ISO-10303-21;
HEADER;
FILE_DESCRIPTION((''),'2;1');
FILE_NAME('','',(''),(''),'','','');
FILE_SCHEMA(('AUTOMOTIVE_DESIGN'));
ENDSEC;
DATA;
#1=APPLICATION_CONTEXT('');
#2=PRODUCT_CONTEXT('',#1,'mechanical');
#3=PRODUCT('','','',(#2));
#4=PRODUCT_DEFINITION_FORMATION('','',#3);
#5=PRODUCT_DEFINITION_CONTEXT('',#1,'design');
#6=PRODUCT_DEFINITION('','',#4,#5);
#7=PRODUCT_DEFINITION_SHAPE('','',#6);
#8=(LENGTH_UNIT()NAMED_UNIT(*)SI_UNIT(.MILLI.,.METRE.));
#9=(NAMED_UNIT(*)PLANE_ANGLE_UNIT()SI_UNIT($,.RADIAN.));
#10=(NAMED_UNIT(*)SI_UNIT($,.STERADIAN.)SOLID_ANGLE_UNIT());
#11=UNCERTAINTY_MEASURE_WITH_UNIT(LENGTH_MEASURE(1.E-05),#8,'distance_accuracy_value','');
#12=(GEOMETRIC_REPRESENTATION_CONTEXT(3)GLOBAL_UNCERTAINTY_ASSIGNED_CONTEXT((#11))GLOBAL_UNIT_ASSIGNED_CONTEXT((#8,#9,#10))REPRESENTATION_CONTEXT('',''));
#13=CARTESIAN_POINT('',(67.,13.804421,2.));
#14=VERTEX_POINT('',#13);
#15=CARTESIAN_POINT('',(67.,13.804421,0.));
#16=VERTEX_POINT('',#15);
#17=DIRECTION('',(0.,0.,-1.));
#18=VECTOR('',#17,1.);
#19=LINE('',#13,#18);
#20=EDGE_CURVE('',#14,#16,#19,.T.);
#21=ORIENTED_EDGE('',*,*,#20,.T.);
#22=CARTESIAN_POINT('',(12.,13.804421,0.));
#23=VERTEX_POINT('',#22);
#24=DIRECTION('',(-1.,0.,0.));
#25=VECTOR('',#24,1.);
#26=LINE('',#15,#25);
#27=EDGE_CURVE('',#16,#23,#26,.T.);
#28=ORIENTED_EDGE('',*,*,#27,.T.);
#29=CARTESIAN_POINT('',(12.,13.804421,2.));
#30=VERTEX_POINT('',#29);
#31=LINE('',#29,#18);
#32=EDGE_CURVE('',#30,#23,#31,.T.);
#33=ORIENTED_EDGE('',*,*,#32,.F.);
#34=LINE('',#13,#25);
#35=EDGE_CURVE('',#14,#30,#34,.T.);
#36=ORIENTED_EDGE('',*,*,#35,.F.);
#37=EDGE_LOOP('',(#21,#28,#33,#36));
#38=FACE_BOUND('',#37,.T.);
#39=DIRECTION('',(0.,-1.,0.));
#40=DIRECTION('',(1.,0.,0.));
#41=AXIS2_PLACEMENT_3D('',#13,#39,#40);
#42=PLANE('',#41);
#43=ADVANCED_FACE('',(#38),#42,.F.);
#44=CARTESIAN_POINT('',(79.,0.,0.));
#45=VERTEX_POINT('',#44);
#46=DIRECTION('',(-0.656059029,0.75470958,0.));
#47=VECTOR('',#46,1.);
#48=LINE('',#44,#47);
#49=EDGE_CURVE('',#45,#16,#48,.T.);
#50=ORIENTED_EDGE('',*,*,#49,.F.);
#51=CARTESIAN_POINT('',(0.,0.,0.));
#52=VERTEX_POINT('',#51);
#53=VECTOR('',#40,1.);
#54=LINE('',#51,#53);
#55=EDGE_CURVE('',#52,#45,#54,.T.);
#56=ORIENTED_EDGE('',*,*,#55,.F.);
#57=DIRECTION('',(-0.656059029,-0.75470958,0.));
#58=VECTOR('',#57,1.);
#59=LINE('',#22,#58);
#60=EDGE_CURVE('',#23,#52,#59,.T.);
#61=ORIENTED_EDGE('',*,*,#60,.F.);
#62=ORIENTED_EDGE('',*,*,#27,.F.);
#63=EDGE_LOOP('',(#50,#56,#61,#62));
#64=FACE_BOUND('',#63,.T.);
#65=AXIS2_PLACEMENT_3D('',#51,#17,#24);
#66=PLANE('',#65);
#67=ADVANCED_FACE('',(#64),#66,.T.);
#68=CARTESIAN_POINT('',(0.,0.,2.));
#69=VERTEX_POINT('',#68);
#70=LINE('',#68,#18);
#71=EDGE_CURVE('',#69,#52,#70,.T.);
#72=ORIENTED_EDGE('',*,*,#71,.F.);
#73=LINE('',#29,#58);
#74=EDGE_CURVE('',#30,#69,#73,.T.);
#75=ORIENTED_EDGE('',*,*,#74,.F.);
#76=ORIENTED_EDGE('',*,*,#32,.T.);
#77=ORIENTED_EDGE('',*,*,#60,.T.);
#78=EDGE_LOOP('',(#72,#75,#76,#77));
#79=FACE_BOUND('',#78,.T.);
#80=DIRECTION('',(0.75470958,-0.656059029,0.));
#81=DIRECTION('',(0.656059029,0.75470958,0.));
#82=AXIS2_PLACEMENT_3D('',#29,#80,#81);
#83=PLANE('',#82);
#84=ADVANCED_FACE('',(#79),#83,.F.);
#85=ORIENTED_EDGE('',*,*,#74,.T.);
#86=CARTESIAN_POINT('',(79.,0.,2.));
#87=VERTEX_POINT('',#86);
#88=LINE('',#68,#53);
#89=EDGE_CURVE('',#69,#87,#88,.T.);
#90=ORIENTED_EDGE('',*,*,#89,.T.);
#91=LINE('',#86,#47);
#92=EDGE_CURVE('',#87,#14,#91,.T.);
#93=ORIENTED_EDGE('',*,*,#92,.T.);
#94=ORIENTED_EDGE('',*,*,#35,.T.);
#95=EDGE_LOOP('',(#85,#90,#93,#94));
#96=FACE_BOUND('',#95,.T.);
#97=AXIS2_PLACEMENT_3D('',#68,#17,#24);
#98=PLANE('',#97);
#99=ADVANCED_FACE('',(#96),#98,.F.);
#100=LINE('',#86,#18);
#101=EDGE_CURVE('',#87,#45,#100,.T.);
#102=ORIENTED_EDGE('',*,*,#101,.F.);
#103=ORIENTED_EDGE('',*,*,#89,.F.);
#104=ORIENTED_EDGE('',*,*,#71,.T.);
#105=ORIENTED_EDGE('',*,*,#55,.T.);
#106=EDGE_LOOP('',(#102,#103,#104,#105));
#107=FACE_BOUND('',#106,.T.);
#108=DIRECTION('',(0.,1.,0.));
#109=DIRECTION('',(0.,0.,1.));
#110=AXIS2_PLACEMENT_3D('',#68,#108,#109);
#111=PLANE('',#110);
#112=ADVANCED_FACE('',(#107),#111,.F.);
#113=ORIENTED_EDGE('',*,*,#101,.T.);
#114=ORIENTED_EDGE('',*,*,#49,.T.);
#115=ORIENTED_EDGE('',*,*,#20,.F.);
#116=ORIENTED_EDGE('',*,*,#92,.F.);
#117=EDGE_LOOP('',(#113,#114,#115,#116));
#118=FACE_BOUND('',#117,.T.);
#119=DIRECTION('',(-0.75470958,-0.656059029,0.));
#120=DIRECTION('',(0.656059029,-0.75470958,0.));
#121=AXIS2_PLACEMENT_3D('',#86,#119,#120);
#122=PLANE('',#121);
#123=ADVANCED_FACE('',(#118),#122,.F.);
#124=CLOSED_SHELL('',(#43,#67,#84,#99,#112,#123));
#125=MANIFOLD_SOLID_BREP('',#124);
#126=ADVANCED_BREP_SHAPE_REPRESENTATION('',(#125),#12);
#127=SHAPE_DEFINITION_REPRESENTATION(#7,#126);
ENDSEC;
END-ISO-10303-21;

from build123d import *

# Parameters (mm, degrees)
Y_KSEKLIK_EKSTR_ZYON1_DEPTH = 2


with BuildPart() as part:
    # Çizim2 → Yükseklik-Ekstrüzyon1 (new body)
    with BuildSketch(Plane.XY):
        Polygon((0, 0), (79, 0), (67, 13.804420887), (12, 13.804420887), align=None)
    extrude(amount=Y_KSEKLIK_EKSTR_ZYON1_DEPTH)


solid = part.part
